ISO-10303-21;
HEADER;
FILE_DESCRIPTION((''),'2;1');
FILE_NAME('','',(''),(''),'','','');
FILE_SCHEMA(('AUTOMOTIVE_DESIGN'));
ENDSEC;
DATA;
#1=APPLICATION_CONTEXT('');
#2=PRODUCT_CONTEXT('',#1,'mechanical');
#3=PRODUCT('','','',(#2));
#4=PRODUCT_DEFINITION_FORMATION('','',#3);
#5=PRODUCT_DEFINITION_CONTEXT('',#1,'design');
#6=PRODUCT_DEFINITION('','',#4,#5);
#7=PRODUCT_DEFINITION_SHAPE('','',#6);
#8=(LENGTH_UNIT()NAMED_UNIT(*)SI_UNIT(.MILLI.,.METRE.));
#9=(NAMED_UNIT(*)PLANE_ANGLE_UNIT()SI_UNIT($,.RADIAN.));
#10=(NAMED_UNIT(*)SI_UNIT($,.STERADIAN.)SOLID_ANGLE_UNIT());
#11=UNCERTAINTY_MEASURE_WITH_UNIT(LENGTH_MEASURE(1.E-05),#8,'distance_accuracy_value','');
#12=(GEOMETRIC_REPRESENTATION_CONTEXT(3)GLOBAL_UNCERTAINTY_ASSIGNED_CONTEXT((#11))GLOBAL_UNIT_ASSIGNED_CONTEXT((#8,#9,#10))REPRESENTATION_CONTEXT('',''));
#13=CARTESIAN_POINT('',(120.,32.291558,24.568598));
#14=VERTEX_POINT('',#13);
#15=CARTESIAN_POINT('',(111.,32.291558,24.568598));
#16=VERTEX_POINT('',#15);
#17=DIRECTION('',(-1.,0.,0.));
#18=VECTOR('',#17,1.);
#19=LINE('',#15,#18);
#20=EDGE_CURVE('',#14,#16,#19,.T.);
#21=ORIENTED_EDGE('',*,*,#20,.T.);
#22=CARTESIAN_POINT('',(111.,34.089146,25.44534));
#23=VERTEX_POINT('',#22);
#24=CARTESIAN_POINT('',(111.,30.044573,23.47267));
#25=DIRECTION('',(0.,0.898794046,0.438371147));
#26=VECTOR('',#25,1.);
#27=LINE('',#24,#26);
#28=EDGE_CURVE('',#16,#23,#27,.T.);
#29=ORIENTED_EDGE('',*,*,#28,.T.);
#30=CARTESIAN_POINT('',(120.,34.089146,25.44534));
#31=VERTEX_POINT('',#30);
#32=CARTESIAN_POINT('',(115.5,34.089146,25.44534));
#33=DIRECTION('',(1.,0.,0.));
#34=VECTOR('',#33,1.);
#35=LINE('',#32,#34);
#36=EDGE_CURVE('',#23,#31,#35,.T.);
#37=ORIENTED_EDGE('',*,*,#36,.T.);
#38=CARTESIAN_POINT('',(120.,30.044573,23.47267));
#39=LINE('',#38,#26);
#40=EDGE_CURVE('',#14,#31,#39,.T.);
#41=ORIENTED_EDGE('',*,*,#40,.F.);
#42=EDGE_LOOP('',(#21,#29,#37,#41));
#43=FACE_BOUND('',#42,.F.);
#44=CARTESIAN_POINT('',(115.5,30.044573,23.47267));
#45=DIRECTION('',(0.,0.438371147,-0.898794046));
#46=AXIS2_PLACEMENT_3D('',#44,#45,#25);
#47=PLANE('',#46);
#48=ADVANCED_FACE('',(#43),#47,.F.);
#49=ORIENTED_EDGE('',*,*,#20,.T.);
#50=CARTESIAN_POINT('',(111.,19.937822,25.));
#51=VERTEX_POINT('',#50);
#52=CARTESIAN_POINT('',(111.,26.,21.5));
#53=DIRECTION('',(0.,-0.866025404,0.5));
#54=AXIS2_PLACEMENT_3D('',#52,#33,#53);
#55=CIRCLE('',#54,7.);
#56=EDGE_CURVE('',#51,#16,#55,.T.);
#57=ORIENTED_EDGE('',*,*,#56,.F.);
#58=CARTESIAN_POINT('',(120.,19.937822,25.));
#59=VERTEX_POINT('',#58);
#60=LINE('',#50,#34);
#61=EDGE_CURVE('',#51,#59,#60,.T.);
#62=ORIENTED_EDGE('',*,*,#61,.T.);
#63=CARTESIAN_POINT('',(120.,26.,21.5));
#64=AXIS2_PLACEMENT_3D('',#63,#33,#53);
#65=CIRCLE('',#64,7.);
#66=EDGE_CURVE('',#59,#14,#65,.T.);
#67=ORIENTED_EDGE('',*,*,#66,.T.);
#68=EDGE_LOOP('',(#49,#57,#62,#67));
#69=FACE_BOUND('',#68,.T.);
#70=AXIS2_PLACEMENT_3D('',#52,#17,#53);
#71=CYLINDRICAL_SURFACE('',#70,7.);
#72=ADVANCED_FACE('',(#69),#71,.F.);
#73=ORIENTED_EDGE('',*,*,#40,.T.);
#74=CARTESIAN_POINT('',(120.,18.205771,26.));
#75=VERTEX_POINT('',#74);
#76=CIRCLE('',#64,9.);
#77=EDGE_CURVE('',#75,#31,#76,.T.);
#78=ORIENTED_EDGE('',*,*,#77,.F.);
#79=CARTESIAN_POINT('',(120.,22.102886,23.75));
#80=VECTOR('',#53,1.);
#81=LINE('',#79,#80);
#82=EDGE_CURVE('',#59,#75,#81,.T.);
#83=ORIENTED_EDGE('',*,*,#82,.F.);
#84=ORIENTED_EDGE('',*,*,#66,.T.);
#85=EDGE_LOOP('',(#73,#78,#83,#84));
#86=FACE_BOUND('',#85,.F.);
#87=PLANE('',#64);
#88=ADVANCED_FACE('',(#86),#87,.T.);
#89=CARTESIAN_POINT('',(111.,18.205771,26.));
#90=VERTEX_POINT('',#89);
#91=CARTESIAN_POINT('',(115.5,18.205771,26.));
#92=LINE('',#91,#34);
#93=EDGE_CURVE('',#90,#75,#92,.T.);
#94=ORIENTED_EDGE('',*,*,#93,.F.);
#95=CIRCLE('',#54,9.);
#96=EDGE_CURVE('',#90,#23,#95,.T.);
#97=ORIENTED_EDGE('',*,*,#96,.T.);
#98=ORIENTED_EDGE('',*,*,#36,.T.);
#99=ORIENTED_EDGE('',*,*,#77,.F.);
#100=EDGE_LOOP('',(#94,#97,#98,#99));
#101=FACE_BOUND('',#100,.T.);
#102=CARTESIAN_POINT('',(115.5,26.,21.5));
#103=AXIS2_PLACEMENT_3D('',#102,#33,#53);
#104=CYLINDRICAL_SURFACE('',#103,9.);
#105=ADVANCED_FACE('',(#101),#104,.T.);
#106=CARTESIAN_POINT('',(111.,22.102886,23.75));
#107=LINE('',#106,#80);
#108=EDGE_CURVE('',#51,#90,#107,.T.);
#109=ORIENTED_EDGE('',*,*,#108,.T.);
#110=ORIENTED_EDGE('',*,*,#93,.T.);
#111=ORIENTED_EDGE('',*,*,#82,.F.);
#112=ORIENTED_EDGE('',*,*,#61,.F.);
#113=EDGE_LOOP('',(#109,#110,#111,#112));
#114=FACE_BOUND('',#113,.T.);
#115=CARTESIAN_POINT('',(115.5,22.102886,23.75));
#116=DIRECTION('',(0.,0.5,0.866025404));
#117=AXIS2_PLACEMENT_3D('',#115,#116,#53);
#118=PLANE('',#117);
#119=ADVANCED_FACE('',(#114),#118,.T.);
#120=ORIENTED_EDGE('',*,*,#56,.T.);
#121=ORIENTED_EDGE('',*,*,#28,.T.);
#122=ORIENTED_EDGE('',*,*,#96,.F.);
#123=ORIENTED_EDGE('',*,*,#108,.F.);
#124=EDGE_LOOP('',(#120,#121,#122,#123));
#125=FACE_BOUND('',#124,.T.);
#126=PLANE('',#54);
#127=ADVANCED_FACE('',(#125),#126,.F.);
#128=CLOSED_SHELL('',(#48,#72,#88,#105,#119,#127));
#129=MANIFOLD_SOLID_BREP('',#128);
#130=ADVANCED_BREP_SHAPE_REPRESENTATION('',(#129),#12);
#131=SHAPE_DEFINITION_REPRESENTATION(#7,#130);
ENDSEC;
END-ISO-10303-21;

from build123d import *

# Parameters (mm, degrees)
CYLINDER103_R          = 7
CYLINDER103_DEPTH      = 9
CYLINDER104_W          = 9
CYLINDER104_H          = 9
CYLINDER104_ANGLE      = 236
CUT006_ROLL_ANGLE      = -90
CUT006_PITCH_ANGLE     = -30
CUT006_PLACEMENT_ANGLE = -90


with BuildPart() as syringe_hole:
    # Cylinder103 → Cylinder103 (new body)
    with BuildSketch(Plane.XY):
        Circle(CYLINDER103_R)
    extrude(amount=CYLINDER103_DEPTH)


with BuildPart() as syringe_hole_cut:
    # Cylinder104 → Cylinder104 (revolve)
    with BuildSketch(Plane.XZ):
        with Locations((4.5, 4.5)):
            Rectangle(CYLINDER104_W, CYLINDER104_H)
    revolve(axis=Axis((0, 0, 0), (0, 0, 1)), revolution_arc=CYLINDER104_ANGLE)

    # Cut006: cut syringe hole
    add(syringe_hole.part, mode=Mode.SUBTRACT)


with BuildPart() as syringe_hole_cut_1:
    # Cut006 roll: moved
    add(syringe_hole_cut.part.rotate(Axis((0, 0, 0), (1, 0, 0)), CUT006_ROLL_ANGLE))


with BuildPart() as syringe_hole_cut_2:
    # Cut006 pitch: moved
    add(syringe_hole_cut_1.part.rotate(Axis((0, 0, 0), (0, 1, 0)), CUT006_PITCH_ANGLE))


with BuildPart() as syringe_hole_cut_3:
    # Cut006 placement: moved
    add(syringe_hole_cut_2.part.moved(Location((111, 26, 21.5))).rotate(Axis((111, 26, 21.5), (0, 0, 1)), CUT006_PLACEMENT_ANGLE))


solid = syringe_hole_cut_3.part
